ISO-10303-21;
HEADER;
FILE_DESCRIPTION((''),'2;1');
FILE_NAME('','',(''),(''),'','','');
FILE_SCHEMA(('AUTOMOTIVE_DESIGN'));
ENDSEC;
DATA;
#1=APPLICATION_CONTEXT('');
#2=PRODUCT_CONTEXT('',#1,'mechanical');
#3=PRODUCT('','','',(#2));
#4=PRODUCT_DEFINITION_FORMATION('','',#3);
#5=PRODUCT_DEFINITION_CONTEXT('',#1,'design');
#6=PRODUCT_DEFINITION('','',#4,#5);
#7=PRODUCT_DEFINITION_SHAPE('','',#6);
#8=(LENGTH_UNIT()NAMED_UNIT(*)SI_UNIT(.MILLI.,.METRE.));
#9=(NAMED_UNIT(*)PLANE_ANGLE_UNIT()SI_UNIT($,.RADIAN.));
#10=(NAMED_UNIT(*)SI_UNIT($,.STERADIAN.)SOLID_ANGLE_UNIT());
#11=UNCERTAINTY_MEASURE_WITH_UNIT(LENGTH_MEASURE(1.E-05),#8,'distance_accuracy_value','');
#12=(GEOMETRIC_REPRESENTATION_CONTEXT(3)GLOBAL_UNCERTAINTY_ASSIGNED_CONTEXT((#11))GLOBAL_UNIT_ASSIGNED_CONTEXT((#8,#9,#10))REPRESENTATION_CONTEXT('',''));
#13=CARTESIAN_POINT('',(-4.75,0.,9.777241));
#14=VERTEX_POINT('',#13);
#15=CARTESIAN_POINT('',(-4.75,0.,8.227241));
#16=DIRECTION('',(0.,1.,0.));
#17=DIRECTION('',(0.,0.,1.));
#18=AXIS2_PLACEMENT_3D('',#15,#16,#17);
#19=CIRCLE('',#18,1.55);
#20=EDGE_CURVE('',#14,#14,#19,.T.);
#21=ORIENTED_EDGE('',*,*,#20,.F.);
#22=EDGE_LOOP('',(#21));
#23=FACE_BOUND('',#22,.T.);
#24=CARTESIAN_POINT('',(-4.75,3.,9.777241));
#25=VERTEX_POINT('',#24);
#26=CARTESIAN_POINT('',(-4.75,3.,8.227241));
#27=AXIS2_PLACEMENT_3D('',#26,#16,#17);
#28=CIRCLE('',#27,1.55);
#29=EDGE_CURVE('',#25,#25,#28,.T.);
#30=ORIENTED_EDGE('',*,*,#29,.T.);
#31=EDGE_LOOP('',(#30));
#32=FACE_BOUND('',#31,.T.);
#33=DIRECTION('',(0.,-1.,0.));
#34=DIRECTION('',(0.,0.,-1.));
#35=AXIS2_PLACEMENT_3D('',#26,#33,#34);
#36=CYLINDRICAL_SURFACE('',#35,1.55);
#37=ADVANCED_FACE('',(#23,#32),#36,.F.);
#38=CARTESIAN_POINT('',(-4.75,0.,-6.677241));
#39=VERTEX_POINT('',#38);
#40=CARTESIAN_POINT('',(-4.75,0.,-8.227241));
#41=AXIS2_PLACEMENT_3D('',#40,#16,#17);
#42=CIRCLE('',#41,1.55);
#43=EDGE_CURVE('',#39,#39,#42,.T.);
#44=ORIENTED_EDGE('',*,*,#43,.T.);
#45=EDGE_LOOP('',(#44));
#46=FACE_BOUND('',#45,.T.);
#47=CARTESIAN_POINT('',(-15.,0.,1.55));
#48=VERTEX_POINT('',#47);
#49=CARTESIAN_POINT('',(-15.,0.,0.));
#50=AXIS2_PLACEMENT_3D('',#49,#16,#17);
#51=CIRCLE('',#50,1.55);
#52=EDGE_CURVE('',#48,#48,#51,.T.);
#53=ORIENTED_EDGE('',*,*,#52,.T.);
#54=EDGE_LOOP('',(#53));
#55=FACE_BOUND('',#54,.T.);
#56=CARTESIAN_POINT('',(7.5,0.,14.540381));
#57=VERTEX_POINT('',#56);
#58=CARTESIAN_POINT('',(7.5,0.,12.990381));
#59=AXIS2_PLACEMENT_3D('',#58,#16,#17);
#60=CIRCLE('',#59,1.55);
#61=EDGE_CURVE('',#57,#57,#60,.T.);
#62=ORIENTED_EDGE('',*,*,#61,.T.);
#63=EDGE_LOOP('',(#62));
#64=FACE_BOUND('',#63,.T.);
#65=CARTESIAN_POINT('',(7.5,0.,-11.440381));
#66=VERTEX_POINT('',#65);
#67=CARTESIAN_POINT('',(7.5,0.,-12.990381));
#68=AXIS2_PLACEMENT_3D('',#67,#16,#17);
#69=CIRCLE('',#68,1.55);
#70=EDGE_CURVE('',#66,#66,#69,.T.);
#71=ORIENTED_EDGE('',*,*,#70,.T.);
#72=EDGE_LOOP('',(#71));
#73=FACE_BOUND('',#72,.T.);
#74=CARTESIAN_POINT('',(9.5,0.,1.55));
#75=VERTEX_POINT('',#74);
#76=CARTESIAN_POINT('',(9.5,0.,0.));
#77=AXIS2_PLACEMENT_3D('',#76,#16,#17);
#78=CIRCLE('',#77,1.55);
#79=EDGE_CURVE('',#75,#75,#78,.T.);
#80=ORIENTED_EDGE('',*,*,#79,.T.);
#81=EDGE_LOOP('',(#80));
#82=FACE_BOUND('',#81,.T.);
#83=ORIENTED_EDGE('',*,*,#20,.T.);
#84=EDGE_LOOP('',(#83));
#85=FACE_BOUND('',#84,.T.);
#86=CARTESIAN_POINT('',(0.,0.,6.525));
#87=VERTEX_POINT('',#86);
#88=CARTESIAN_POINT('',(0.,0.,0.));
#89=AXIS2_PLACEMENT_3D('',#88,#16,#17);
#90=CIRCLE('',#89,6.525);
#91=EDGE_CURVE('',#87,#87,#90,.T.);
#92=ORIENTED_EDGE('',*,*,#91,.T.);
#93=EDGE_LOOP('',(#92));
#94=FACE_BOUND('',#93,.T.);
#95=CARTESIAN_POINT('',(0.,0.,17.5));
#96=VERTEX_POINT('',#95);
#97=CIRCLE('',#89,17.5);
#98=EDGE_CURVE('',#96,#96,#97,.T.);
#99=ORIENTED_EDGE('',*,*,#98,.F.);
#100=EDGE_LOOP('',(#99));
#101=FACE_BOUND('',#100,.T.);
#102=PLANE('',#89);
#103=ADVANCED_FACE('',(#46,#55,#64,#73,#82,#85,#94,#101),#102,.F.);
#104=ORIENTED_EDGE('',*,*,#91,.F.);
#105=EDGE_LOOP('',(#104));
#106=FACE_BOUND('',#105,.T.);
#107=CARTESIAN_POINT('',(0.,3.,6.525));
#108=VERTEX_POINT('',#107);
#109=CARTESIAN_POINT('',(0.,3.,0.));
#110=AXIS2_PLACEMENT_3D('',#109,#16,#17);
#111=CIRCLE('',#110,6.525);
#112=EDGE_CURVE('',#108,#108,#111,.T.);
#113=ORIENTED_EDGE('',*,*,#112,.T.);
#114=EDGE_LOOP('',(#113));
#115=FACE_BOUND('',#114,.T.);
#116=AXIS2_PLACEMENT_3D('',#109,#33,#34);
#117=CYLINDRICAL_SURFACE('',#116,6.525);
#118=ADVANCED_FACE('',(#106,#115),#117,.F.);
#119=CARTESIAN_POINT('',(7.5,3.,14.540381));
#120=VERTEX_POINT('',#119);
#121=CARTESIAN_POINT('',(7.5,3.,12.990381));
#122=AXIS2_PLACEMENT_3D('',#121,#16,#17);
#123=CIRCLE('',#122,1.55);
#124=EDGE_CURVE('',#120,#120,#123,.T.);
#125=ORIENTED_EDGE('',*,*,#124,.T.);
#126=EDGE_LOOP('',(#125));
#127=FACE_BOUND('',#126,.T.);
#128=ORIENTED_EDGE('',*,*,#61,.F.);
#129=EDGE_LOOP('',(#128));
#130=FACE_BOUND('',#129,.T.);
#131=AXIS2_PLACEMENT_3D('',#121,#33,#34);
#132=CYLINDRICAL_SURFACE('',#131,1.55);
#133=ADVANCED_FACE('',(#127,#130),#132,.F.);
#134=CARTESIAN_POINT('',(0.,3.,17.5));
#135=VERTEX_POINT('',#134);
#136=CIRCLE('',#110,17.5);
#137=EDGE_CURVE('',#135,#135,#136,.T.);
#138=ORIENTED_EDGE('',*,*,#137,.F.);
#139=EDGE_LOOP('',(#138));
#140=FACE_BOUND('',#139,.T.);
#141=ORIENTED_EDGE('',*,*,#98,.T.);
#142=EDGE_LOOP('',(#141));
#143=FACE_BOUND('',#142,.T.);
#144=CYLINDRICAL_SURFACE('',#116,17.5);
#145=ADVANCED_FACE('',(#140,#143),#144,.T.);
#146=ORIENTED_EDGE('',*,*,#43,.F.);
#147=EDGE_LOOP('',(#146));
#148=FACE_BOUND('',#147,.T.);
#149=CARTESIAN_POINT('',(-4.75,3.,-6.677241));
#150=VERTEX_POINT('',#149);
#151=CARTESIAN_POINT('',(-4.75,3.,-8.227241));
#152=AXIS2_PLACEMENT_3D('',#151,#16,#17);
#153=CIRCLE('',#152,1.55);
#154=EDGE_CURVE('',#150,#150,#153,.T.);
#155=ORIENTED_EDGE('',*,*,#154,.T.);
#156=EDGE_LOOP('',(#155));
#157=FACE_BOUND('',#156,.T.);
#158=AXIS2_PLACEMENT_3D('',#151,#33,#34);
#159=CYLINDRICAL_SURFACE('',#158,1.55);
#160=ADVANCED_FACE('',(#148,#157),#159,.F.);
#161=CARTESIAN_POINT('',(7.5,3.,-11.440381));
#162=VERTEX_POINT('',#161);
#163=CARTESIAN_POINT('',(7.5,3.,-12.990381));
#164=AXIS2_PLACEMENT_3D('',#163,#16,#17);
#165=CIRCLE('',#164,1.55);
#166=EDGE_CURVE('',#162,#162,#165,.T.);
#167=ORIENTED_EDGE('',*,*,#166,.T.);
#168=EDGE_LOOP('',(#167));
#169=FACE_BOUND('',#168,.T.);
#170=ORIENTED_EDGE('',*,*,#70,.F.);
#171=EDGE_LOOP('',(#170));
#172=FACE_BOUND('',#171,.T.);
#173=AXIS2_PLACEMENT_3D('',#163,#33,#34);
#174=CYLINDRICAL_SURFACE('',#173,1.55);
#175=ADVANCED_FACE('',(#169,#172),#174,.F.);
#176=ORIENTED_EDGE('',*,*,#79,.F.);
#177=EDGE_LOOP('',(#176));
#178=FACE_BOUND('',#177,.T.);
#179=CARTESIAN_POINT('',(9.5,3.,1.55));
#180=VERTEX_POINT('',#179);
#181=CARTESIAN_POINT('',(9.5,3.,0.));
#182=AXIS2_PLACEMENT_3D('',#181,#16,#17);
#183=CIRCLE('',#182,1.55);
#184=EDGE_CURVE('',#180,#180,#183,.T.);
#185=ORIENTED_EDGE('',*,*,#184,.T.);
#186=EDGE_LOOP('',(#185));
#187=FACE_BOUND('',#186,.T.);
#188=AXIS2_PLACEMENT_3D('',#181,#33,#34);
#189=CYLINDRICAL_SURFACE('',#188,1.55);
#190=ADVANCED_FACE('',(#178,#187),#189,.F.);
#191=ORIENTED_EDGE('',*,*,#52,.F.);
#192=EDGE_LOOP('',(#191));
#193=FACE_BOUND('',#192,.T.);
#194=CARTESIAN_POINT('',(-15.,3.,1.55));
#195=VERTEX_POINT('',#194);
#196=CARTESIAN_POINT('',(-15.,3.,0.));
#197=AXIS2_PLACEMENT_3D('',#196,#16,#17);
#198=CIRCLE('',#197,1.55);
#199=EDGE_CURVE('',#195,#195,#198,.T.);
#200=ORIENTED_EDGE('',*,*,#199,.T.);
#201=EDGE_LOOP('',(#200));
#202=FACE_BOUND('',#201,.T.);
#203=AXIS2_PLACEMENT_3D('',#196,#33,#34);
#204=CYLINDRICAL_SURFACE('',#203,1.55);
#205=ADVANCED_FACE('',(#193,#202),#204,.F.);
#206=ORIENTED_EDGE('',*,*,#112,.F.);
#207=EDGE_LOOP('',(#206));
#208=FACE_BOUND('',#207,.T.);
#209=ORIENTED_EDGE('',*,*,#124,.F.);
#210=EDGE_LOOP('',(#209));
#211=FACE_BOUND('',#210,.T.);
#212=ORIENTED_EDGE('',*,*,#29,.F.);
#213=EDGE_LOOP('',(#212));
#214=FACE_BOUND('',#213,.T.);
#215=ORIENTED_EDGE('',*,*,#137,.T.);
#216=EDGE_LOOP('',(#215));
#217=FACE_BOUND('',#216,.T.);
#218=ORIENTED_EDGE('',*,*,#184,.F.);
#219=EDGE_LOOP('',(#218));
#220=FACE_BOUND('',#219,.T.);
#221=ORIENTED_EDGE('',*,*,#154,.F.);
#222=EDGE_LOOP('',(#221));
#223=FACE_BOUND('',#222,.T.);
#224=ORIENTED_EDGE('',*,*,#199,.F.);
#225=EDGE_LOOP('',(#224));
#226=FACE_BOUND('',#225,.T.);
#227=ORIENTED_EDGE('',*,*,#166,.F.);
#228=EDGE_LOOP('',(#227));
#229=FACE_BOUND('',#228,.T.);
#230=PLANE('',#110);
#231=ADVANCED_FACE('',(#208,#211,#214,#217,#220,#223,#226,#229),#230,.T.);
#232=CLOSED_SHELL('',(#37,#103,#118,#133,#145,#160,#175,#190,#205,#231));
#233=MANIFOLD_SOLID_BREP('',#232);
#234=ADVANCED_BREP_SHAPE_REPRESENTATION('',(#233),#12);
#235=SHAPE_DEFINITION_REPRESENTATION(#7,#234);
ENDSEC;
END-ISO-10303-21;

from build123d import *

# Parameters (mm, degrees)
SKETCH_1_R      = 17.5
SKETCH_1_R_2    = 6.525
SKETCH_1_R_3    = 1.55
EXTRUDE_1_DEPTH = 3


with BuildPart() as part:
    # 草图1 → 凸台-拉伸1 (new body)
    with BuildSketch(Plane(origin=(0, 0, 0), x_dir=(1, 0, 0), z_dir=(0, 1, 0))):
        with Locations(Location((0, 0, 0), (0, 0, 270))):
            Circle(SKETCH_1_R)
        with Locations(Location((0, 0, 0), (0, 0, 270))):
            Circle(SKETCH_1_R_2, mode=Mode.SUBTRACT)
        with Locations(Location((-15, 0, 0), (0, 0, 270))):
            Circle(SKETCH_1_R_3, mode=Mode.SUBTRACT)
        with Locations(Location((7.5, 12.990381057, 0), (0, 0, 270))):
            Circle(SKETCH_1_R_3, mode=Mode.SUBTRACT)
        with Locations(Location((7.5, -12.990381057, 0), (0, 0, 270))):
            Circle(SKETCH_1_R_3, mode=Mode.SUBTRACT)
        with Locations(Location((9.5, 0, 0), (0, 0, 270))):
            Circle(SKETCH_1_R_3, mode=Mode.SUBTRACT)
        with Locations(Location((-4.75, -8.227241336, 0), (0, 0, 270))):
            Circle(SKETCH_1_R_3, mode=Mode.SUBTRACT)
        with Locations(Location((-4.75, 8.227241336, 0), (0, 0, 270))):
            Circle(SKETCH_1_R_3, mode=Mode.SUBTRACT)
    extrude(amount=EXTRUDE_1_DEPTH)


solid = part.part
